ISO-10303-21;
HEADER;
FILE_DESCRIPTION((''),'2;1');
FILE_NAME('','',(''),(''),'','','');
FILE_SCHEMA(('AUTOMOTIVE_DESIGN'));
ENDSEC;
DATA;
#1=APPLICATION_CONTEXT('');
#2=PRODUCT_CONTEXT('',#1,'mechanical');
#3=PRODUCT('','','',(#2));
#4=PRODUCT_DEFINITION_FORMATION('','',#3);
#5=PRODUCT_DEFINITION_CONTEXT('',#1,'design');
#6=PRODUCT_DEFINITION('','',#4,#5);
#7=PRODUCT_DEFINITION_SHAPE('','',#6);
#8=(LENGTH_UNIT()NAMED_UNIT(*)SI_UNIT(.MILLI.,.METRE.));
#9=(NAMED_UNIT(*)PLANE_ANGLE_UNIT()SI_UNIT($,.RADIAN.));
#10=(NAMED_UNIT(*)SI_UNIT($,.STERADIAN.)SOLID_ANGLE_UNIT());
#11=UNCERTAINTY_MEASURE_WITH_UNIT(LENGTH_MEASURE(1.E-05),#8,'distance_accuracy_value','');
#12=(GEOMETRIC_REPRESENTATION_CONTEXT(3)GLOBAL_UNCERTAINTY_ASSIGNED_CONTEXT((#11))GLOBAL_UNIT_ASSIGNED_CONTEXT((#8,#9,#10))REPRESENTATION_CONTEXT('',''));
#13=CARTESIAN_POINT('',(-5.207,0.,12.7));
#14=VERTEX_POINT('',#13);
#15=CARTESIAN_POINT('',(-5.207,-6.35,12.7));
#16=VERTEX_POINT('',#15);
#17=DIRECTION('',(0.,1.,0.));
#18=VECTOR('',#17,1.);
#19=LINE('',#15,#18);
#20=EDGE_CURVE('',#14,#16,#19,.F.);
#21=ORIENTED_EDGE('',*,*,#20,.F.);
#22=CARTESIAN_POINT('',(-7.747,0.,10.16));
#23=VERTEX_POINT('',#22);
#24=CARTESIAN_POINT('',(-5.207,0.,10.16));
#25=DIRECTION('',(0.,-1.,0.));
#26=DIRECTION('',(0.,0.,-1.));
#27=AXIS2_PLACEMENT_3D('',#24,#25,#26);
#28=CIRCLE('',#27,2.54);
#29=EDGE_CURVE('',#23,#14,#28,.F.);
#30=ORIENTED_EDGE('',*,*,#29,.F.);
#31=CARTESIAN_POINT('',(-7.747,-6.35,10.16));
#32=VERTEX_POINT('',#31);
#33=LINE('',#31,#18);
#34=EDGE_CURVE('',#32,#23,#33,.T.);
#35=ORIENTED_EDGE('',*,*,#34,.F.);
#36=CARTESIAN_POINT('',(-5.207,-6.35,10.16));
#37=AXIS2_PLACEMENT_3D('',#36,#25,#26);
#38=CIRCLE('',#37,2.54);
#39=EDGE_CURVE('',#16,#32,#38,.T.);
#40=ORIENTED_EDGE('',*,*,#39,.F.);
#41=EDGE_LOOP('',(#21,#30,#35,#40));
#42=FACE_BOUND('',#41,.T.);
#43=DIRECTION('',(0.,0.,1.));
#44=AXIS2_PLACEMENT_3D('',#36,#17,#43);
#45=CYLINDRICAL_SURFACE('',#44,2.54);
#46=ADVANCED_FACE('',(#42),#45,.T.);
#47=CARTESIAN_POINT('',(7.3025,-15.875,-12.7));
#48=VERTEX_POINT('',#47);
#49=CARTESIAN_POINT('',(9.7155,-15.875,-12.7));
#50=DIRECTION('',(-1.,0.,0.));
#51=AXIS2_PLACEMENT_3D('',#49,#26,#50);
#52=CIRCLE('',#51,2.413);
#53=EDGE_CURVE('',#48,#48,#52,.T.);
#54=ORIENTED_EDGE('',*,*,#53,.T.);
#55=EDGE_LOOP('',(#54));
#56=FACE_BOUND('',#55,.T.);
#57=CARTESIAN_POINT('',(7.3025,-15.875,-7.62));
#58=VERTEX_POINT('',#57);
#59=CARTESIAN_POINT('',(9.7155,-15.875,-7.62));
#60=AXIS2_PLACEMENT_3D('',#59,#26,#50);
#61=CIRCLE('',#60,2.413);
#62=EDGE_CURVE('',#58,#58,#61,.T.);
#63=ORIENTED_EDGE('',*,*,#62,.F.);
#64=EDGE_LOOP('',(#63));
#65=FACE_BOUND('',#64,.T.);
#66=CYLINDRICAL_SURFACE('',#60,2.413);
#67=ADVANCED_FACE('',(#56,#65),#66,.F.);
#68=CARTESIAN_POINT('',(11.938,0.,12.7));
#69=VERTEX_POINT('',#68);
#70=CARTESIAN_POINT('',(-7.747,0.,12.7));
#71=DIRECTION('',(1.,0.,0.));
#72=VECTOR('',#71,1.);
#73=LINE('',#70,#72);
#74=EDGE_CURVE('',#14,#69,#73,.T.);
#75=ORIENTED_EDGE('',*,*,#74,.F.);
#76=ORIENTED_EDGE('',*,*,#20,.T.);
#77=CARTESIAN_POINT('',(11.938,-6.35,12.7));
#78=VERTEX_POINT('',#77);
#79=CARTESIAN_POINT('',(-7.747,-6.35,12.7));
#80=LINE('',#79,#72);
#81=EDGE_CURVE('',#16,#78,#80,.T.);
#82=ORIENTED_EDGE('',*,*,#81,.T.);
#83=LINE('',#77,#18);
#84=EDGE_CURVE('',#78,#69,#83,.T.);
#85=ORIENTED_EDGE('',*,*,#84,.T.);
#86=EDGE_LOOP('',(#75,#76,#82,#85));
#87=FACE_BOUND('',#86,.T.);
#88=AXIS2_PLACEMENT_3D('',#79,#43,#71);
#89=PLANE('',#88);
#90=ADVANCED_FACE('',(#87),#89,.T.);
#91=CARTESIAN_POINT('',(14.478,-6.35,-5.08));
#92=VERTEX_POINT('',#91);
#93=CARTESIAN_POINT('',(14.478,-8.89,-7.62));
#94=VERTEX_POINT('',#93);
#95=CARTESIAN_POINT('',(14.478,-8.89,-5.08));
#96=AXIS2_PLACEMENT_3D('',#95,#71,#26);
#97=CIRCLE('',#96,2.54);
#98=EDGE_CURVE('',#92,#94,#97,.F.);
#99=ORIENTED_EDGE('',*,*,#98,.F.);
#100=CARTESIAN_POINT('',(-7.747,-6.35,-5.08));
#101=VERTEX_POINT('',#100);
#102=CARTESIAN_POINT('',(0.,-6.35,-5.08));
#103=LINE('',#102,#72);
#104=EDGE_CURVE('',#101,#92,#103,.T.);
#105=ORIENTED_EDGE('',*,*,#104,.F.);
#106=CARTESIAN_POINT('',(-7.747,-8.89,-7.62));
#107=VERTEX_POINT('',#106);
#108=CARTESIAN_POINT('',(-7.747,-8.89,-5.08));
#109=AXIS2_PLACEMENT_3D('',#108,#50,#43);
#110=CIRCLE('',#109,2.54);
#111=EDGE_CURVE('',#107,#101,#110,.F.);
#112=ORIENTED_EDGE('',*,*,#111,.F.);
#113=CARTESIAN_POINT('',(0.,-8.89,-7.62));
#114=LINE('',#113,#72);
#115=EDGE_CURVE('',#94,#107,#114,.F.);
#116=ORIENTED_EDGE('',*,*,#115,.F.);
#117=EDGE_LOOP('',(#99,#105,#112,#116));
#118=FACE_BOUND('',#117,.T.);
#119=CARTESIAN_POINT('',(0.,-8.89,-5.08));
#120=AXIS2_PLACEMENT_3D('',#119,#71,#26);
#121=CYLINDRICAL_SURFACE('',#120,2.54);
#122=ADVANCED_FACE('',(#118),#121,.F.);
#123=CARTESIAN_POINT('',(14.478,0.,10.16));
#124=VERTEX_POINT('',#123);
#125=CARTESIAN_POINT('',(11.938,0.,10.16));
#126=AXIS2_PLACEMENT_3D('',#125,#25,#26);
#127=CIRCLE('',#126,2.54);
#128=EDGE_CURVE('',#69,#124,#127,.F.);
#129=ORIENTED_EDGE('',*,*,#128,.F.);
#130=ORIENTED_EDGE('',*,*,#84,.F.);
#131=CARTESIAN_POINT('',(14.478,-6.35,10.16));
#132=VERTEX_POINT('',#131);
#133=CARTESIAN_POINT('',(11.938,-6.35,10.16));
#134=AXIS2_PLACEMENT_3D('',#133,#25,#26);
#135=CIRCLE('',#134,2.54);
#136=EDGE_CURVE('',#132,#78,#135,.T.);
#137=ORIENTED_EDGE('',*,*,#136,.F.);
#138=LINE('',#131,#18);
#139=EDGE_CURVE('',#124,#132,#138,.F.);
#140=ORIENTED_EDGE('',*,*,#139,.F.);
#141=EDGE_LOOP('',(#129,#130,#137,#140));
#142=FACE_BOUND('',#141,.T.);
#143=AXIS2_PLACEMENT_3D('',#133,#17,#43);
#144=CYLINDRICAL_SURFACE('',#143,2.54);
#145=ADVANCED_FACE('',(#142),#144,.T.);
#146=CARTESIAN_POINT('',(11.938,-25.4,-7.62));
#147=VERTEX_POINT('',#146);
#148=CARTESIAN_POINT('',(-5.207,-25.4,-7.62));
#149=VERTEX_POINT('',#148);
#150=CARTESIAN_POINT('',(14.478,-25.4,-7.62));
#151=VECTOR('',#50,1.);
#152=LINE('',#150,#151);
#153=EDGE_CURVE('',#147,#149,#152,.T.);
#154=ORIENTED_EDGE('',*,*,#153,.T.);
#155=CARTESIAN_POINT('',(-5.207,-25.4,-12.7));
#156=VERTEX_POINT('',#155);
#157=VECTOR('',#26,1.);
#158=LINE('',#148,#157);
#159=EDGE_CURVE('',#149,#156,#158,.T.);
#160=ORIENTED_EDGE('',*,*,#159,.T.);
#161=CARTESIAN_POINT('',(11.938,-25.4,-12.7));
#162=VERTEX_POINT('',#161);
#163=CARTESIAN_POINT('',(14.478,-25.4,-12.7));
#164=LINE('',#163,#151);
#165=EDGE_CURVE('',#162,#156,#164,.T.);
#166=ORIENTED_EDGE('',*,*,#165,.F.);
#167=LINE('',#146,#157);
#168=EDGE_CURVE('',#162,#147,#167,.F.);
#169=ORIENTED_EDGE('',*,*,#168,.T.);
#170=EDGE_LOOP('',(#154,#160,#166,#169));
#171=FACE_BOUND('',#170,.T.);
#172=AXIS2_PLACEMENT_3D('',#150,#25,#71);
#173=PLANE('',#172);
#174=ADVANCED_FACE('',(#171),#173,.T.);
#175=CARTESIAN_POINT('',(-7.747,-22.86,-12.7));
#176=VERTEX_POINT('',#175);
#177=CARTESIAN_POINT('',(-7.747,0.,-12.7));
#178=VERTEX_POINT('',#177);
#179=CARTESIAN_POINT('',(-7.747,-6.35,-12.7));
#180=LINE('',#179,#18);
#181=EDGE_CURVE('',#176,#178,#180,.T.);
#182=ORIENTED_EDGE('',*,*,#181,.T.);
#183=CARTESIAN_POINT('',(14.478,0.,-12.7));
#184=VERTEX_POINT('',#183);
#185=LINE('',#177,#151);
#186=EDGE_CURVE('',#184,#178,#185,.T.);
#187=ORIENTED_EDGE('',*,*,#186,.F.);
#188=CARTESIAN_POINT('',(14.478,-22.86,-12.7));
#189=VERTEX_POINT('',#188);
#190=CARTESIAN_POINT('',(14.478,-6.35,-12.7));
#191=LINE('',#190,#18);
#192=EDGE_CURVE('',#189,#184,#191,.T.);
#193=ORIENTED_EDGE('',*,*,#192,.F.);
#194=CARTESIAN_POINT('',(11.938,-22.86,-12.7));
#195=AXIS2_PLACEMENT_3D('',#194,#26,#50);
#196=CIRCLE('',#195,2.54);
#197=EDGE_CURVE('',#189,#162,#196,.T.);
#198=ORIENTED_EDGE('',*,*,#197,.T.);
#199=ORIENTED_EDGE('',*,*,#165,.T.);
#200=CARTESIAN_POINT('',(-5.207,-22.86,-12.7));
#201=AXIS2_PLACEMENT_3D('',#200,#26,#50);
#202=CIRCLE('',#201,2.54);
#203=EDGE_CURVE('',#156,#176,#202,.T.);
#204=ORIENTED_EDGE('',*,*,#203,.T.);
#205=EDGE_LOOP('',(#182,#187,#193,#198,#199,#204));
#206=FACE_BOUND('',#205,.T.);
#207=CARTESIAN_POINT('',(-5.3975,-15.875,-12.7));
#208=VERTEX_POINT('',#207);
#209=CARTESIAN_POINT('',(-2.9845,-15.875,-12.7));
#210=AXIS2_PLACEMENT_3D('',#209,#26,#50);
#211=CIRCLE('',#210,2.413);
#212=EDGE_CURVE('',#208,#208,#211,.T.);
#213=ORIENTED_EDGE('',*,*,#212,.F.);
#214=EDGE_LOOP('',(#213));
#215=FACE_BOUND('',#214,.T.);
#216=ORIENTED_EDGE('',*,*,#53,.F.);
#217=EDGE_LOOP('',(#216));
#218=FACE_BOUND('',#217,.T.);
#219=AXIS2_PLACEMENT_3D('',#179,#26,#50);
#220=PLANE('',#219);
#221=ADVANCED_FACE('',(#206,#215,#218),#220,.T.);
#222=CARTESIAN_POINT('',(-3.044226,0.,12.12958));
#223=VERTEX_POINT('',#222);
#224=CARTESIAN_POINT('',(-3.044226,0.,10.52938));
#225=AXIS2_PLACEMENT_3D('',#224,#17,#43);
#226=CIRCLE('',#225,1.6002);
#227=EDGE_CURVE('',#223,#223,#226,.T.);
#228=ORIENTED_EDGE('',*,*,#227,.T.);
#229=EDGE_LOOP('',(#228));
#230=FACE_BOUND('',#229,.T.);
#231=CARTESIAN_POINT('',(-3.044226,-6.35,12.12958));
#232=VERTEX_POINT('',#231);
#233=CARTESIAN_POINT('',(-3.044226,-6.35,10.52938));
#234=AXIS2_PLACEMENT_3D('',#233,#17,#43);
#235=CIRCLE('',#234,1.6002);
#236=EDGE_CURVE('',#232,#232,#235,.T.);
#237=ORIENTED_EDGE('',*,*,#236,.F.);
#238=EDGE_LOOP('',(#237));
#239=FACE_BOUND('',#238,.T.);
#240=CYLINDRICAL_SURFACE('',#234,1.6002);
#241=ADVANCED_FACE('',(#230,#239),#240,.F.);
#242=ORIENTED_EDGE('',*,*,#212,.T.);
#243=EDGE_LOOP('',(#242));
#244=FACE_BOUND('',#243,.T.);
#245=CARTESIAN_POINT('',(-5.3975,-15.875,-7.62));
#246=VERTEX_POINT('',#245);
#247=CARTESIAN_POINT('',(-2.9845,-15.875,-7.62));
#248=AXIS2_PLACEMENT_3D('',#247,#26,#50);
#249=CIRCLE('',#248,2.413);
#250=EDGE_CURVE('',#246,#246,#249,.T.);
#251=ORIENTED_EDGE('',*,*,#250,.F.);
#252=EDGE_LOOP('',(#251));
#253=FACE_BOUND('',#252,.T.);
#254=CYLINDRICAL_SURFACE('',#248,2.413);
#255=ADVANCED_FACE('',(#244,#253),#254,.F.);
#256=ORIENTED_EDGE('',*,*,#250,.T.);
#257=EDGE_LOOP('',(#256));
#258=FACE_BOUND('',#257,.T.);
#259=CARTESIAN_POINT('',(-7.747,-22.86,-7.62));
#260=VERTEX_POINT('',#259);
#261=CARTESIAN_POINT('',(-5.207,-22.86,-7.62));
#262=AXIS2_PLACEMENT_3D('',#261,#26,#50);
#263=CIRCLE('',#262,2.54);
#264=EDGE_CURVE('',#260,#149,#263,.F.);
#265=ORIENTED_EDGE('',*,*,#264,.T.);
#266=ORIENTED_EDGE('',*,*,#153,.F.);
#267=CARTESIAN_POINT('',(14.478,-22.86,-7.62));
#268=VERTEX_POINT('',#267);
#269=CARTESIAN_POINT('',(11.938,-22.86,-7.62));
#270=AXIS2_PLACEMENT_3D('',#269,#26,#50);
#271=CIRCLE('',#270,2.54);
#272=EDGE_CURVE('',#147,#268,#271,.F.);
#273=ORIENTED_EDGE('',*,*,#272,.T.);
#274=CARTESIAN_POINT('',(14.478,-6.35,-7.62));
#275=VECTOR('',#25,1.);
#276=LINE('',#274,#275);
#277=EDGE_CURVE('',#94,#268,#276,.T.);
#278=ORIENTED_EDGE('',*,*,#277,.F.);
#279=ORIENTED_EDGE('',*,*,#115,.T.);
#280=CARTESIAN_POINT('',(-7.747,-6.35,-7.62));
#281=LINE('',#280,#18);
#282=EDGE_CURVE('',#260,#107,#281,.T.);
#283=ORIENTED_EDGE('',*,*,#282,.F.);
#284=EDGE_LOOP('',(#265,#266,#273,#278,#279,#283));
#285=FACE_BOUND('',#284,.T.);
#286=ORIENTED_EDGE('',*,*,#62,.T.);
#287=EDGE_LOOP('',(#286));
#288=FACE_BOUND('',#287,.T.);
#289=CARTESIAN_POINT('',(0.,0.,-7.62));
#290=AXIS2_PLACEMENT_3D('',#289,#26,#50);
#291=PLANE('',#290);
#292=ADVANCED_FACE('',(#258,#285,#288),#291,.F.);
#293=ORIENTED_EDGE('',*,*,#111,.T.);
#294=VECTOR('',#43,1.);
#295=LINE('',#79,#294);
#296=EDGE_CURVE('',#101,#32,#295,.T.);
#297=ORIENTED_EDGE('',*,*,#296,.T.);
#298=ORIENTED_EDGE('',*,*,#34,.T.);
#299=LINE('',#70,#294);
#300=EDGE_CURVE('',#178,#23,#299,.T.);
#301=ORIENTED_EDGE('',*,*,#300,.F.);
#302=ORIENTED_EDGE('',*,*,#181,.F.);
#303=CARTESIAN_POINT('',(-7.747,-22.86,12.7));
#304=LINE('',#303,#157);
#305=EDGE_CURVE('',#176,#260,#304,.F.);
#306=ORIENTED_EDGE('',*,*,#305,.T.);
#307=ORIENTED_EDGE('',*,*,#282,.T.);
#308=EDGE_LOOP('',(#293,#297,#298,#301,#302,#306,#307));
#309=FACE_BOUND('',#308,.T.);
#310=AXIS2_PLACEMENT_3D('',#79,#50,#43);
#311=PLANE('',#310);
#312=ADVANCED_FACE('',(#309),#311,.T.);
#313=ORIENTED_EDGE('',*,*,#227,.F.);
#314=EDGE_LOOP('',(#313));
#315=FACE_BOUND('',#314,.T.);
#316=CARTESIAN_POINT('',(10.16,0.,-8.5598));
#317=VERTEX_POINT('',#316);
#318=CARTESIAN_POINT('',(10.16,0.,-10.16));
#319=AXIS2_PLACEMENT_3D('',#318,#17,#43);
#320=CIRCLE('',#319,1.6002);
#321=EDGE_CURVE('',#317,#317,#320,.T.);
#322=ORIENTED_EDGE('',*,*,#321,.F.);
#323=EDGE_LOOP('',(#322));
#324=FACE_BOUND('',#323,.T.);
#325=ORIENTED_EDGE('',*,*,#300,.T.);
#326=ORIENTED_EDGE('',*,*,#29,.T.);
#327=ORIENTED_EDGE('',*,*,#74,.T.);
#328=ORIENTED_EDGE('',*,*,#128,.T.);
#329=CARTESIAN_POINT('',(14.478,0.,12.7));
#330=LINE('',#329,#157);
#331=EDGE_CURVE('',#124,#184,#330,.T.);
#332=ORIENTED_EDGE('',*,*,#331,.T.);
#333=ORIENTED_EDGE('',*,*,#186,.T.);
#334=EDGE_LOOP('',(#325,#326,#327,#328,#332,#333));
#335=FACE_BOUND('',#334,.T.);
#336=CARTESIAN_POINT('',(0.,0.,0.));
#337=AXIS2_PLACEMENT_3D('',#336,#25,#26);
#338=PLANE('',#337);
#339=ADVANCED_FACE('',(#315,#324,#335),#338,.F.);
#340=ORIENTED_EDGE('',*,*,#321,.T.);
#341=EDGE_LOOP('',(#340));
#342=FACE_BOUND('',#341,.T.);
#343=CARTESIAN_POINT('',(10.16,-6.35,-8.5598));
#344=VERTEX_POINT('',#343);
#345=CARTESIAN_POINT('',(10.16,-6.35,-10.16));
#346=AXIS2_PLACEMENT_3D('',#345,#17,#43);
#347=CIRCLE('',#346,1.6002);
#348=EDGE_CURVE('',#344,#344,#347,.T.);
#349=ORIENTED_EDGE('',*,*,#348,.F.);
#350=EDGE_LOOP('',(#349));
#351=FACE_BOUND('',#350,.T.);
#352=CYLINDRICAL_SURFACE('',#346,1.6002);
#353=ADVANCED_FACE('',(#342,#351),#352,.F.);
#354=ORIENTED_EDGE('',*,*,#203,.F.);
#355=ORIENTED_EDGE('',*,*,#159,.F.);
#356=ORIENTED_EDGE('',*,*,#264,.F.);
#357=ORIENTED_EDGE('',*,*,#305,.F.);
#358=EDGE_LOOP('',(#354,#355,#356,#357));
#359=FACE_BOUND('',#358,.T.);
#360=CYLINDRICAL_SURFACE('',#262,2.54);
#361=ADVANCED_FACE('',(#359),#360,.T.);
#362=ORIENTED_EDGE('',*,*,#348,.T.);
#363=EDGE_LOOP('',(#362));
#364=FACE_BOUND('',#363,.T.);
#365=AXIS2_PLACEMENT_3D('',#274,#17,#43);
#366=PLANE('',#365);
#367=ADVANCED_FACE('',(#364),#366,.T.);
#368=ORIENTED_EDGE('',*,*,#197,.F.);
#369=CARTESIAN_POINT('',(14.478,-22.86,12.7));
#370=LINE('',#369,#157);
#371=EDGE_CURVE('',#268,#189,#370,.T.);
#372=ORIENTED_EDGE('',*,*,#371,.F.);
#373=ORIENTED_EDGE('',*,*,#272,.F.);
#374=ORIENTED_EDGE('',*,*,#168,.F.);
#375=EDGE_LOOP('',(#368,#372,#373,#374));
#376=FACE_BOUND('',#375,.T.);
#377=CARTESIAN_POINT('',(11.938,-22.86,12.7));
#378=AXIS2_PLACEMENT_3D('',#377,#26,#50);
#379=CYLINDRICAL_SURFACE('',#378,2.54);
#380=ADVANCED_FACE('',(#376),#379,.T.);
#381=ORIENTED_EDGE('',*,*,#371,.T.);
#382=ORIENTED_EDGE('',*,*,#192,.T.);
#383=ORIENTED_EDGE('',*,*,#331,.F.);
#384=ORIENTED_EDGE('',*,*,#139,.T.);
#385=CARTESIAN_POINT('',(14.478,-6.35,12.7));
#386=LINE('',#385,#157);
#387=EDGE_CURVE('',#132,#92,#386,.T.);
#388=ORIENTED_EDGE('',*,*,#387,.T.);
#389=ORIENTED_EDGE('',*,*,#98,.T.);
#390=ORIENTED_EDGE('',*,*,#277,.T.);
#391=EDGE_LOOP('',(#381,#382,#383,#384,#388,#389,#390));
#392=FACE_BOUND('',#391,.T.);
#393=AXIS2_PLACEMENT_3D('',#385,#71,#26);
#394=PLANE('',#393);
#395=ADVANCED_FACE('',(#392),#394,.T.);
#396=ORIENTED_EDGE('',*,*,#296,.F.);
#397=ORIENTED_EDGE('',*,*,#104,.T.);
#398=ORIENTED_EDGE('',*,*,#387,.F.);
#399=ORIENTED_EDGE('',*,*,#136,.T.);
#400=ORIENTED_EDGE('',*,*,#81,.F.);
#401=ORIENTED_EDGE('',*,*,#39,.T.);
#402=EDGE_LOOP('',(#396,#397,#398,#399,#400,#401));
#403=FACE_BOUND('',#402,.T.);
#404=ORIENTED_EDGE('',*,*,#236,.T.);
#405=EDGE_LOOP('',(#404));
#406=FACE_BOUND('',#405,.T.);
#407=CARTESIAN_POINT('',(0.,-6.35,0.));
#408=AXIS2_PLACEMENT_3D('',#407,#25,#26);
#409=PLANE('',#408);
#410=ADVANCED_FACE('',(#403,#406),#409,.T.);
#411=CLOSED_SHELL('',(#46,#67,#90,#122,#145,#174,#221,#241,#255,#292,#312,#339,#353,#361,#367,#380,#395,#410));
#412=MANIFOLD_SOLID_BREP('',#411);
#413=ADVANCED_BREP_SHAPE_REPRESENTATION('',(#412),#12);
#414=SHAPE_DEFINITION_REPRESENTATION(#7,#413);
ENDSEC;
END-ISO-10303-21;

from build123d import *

# Parameters (mm, degrees)
SKETCH1_W           = 22.225
SKETCH1_H           = 25.4
SKETCH1_R           = 1.6002
BOSS_EXTRUDE1_DEPTH = 6.35
SKETCH2_W           = 22.225
SKETCH2_H           = 19.05
SKETCH2_R           = 2.413
BOSS_EXTRUDE2_DEPTH = 5.08
FILLET1_R           = 2.54


with BuildPart() as part:
    # Sketch1 → Boss-Extrude1 (new body)
    with BuildSketch(Plane(origin=(0, 0, 0), x_dir=(1, 0, 0), z_dir=(0, 1, 0))):
        with Locations((3.3655, 0)):
            Rectangle(SKETCH1_W, SKETCH1_H)
        with Locations(Location((10.16, 10.16, 0), (0, 0, 270))):
            Circle(SKETCH1_R, mode=Mode.SUBTRACT)
        with Locations(Location((-3.044225571, -10.529380079, 0), (0, 0, 270))):
            Circle(SKETCH1_R, mode=Mode.SUBTRACT)
    extrude(amount=-BOSS_EXTRUDE1_DEPTH)

    # Sketch2 → Boss-Extrude2 (add)
    with BuildSketch(Plane(origin=(0, 0, -12.7), x_dir=(-1, 0, 0), z_dir=(0, 0, -1))):
        with Locations((-3.3655, -15.875)):
            Rectangle(SKETCH2_W, SKETCH2_H)
        with Locations((-9.7155, -15.875)):
            Circle(SKETCH2_R, mode=Mode.SUBTRACT)
        with Locations((2.9845, -15.875)):
            Circle(SKETCH2_R, mode=Mode.SUBTRACT)
    extrude(amount=-BOSS_EXTRUDE2_DEPTH)

    # Fillet1
    fillet1_edges = [part.edges().sort_by_distance(p)[0] for p in [
        (3.3655, -6.35, -7.62),
        (14.478, -25.4, -10.16),
        (-7.747, -25.4, -10.16),
        (14.478, -3.175, 12.7),
        (-7.747, -3.175, 12.7),
    ]]
    fillet(fillet1_edges, radius=FILLET1_R)


solid = part.part
